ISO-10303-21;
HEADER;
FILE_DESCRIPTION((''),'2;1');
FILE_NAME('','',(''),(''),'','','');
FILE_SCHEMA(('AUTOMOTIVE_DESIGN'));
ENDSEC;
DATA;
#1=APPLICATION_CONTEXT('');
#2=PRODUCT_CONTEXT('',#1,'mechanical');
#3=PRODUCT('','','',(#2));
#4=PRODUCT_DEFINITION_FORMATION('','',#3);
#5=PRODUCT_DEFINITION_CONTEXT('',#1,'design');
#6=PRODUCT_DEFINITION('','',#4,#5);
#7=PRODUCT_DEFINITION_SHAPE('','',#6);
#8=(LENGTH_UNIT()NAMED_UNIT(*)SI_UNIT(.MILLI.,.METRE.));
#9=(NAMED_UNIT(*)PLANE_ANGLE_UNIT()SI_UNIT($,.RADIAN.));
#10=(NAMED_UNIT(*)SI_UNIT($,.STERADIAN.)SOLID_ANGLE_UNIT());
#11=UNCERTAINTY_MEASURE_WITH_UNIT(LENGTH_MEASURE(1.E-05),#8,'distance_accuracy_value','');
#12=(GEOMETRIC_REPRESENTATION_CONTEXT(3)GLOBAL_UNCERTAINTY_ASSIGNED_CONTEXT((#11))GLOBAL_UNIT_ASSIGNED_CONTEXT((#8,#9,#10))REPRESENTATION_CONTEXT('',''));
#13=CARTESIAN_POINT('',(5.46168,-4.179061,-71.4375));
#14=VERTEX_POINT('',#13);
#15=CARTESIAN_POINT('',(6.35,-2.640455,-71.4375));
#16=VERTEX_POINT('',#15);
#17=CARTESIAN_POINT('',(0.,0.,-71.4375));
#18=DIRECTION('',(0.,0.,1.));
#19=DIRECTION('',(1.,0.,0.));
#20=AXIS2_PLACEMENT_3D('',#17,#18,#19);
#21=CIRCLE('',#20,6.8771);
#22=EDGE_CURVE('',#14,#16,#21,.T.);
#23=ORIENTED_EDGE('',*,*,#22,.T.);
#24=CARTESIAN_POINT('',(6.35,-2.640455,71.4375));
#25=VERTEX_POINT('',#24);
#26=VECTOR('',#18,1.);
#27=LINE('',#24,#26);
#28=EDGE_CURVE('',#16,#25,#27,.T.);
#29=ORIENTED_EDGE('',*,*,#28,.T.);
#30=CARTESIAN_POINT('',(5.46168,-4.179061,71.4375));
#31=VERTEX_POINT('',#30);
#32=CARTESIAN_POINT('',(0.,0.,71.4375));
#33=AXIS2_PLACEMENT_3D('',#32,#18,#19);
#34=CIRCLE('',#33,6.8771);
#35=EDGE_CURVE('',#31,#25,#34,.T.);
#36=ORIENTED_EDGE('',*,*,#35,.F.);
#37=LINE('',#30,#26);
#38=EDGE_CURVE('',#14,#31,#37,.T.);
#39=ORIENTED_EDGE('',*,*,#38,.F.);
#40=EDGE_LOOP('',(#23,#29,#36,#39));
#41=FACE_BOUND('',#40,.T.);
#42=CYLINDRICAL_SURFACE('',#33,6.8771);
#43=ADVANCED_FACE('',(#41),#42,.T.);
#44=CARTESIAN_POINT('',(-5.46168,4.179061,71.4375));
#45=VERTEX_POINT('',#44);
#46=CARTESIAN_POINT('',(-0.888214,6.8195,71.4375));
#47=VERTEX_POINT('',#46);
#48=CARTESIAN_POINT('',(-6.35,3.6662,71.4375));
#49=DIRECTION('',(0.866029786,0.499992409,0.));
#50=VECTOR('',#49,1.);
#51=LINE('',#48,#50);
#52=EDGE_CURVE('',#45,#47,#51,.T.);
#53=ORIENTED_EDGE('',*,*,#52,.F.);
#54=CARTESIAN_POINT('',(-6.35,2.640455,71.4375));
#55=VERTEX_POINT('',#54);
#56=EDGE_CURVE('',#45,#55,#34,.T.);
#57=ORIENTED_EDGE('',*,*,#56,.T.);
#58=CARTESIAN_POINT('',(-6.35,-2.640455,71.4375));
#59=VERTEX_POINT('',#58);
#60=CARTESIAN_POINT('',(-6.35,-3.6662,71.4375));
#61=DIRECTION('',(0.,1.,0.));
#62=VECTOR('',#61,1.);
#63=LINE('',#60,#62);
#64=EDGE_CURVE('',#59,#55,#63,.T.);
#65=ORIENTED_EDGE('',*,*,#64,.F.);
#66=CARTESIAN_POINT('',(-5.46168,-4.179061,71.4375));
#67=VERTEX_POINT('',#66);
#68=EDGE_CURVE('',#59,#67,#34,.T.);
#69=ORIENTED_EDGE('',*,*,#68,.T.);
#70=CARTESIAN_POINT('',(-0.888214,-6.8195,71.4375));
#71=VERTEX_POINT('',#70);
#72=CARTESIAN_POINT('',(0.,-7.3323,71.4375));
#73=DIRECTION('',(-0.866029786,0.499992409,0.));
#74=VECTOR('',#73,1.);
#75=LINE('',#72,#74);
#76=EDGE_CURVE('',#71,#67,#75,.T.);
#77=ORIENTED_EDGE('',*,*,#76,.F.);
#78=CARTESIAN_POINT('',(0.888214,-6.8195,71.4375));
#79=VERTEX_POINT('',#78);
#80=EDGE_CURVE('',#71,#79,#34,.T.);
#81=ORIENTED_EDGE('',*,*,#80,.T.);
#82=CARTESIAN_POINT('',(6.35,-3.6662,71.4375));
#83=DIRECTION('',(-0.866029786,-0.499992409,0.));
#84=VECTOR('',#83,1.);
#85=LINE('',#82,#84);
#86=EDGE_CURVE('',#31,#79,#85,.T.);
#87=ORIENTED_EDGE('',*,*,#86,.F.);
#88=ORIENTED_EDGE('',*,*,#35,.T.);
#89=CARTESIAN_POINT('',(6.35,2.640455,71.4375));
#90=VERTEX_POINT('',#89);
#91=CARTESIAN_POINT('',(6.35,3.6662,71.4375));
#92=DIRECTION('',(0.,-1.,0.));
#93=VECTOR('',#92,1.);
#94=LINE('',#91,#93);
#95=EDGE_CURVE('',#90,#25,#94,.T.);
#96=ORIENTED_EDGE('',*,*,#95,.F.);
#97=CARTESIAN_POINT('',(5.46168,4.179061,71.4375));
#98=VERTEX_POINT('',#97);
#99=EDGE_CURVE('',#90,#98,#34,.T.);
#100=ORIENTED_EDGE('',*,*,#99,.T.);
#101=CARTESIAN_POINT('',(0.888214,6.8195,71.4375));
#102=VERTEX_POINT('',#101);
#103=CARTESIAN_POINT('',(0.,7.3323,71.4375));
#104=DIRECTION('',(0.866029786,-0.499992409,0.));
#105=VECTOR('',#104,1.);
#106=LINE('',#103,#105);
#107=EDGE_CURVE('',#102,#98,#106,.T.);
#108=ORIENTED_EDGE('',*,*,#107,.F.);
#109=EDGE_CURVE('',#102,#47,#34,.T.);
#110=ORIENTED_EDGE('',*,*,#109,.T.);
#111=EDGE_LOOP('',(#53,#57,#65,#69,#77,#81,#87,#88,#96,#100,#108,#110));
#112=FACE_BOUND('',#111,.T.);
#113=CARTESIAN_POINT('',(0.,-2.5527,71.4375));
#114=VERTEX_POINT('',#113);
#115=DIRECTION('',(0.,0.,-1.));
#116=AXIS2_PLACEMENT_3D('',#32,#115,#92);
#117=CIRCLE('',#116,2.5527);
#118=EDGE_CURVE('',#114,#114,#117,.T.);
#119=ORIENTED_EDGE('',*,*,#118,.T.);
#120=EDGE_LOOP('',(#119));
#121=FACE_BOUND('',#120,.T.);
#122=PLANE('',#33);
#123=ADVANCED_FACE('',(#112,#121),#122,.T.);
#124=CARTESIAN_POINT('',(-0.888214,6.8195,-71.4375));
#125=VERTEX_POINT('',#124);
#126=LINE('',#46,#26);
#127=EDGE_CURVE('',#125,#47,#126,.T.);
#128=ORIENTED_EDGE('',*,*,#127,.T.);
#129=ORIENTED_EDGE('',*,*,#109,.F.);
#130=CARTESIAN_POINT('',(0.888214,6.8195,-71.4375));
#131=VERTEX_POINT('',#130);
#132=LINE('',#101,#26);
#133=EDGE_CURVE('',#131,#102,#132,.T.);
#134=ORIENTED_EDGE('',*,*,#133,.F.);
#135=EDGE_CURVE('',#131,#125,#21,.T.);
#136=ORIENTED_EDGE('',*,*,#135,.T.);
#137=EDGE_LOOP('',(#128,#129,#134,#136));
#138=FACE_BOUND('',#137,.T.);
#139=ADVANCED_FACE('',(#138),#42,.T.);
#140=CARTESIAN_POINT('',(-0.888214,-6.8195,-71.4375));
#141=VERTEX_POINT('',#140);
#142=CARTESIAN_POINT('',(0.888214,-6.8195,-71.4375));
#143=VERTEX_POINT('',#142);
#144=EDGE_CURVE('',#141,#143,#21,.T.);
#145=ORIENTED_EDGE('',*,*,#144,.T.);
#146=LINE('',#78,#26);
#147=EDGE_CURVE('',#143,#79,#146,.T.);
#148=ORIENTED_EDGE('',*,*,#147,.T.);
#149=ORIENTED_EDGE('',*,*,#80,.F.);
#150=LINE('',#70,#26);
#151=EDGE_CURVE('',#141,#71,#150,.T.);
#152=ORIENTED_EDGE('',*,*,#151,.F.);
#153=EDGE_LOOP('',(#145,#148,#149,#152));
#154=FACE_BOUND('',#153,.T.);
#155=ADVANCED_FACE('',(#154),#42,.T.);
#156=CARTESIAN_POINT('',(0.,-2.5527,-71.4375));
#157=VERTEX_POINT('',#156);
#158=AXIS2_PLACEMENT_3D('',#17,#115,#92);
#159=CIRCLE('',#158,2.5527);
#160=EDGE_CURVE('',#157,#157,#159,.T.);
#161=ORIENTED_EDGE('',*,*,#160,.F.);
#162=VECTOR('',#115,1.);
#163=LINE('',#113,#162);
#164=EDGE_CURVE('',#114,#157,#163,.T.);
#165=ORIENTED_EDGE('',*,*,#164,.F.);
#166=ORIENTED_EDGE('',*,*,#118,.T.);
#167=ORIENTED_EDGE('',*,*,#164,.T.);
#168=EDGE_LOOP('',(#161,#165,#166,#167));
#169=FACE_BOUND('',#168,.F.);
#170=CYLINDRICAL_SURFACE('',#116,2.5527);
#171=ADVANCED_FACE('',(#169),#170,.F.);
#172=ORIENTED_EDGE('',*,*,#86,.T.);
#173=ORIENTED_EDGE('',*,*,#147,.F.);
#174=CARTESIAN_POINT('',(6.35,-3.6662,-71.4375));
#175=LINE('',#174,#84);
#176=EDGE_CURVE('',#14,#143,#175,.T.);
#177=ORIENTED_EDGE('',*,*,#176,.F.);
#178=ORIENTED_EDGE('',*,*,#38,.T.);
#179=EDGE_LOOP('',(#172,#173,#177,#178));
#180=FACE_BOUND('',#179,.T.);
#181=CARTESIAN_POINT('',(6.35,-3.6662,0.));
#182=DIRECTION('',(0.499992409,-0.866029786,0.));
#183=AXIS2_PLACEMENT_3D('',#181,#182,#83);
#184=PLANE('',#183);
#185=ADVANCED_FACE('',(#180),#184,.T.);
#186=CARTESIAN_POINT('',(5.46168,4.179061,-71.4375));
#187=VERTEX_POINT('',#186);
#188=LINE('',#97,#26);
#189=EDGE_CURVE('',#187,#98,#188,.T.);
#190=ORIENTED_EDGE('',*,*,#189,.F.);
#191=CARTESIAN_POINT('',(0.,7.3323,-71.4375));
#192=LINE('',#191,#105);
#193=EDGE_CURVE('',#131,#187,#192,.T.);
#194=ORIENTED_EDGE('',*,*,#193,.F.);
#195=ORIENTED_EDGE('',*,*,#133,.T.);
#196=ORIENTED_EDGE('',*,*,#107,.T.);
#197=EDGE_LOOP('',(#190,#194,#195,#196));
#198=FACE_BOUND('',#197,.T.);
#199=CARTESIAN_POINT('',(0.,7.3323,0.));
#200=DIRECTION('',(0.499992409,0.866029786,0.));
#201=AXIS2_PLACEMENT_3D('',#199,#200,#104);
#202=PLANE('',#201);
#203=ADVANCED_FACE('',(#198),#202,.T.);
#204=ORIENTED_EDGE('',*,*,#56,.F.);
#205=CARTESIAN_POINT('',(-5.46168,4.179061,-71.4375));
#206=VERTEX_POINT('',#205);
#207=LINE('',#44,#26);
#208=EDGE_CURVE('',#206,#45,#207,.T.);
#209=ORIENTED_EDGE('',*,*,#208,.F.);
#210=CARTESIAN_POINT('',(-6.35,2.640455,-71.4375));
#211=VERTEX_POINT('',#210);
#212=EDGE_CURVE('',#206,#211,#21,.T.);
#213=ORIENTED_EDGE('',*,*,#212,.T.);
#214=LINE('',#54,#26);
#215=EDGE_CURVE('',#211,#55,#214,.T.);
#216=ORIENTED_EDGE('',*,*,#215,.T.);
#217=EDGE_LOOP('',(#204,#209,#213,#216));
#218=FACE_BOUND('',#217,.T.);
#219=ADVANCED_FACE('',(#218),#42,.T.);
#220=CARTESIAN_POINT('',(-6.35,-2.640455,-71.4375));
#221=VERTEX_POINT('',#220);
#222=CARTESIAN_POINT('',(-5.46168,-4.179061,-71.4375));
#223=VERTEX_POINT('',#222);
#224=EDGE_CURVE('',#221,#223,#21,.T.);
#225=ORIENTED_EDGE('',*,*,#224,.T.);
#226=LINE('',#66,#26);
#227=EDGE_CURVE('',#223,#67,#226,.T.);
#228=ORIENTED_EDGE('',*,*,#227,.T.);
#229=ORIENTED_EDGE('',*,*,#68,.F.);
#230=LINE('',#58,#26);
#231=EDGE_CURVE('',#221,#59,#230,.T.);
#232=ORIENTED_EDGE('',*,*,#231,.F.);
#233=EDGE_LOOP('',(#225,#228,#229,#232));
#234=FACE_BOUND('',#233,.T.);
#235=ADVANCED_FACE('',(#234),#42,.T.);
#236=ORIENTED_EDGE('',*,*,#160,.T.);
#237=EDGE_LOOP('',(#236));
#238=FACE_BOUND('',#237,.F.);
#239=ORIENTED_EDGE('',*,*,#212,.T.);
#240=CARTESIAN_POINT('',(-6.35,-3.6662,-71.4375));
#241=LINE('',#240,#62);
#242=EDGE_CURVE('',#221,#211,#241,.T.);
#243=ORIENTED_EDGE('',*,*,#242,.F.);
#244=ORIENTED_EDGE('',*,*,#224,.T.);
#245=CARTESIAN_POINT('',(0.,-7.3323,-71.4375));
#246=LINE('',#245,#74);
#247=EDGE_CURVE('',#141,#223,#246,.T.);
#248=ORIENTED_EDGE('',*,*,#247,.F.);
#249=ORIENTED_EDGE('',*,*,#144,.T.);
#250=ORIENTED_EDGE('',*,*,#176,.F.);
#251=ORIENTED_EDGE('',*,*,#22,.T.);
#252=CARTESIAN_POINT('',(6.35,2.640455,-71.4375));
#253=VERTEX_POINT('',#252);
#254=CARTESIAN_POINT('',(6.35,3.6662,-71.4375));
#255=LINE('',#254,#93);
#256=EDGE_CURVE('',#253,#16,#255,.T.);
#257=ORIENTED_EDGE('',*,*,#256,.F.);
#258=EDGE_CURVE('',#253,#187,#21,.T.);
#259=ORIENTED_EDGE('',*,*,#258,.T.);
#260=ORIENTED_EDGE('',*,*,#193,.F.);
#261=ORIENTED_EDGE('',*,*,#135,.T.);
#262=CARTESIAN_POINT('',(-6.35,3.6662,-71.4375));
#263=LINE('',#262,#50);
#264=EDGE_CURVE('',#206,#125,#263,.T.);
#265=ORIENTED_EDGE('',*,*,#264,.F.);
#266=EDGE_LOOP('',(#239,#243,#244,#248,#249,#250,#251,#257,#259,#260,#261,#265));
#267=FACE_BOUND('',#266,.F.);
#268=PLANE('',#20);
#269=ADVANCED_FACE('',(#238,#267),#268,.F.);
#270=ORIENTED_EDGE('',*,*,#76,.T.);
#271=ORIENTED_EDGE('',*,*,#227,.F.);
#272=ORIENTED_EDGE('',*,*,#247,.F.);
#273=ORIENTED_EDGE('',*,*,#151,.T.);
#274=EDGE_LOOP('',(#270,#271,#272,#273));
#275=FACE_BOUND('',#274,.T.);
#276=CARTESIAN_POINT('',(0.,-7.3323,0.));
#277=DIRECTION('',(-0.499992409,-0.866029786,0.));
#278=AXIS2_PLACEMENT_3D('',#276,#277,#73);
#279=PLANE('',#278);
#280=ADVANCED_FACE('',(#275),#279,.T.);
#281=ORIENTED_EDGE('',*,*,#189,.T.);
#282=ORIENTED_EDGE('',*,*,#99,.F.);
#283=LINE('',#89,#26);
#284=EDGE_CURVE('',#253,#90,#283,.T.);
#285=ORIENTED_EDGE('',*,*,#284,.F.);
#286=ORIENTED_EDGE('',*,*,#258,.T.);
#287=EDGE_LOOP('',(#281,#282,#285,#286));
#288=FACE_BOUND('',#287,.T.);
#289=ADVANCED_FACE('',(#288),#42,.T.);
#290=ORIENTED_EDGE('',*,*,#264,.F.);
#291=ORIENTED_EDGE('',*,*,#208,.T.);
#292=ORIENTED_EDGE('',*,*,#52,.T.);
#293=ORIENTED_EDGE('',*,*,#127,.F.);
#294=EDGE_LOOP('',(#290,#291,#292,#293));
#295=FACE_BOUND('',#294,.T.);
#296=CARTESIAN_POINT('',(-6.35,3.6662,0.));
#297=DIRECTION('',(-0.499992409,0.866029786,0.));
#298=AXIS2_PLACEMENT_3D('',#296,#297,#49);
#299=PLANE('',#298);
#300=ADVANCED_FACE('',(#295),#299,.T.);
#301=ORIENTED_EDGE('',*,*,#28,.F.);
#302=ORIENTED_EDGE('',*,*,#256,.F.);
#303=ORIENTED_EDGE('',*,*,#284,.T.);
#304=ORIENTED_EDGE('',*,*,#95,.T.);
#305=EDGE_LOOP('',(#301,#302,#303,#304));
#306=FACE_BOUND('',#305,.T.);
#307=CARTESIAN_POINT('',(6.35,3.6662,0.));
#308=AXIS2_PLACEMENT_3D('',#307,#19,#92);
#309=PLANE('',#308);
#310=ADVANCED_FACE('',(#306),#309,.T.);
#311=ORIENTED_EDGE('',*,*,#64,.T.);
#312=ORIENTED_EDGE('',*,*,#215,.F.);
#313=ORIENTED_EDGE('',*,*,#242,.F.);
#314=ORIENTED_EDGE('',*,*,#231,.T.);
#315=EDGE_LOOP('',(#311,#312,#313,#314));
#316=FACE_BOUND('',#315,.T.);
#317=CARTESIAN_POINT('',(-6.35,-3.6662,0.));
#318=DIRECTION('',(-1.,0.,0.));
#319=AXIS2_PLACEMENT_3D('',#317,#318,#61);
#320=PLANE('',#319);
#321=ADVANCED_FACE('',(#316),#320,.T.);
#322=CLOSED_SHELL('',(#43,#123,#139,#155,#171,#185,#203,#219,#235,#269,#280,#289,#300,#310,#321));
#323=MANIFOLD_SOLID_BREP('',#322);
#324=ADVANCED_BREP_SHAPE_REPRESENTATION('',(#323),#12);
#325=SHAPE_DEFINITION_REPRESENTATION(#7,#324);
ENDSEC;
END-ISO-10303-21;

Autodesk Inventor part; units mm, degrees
ref_plane "YZ Plane" through (0, 0, 0) normal (1, 0, 0) x (0, 1, 0)
ref_plane "XZ Plane" through (0, 0, 0) normal (0, 1, 0) x (-1, 0, 0)
ref_plane "XY Plane" through (0, 0, 0) normal (0, 0, 1) x (1, 0, 0)
sketch "Sketch1" plane through (0, 0, 0) normal (0, 0, 1) x (1, 0, 0)
  line L0 (-6.35, -3.6662) -> (-6.35, 3.6662)
  line L1 (-6.35, 3.6662) -> (0, 7.3323)
  line L2 (0, 7.3323) -> (6.35, 3.6662)
  line L3 (6.35, 3.6662) -> (6.35, -3.6662)
  line L4 (6.35, -3.6662) -> (0, -7.3323)
  line L5 (0, -7.3323) -> (-6.35, -3.6662)
  point P0 (0, 0)
  point P1 (0, 0)
  dimension "Size" = 12.7
extrude "Extrusion1" add sketch "Sketch1" along normal mid plane 142.875
sketch "Sketch3" plane through (0, 0, 71.4375) normal (0, 0, 1) x (1, 0, 0)
  line L0 (-6.35, 3.6662) -> (0, 7.3323) construction
  line L1 (0, 7.3323) -> (6.35, 3.6662) construction
  line L2 (6.35, 3.6662) -> (6.35, -3.6662) construction
  line L3 (6.35, -3.6662) -> (0, -7.3323) construction
  line L4 (0, -7.3323) -> (-6.35, -3.6662) construction
  line L5 (-6.35, -3.6662) -> (-6.35, 3.6662) construction
  point P0 (0, 0)
hole "Hole1" at (0, 0, 71.4375) direction (0, 0, -1) diameter 5.1054 end through all
sketch "Sketch4" plane through (0, 0, 71.4375) normal (0, 0, 1) x (1, 0, 0)
  circle A0 centre (0, 0) radius 2.5527 construction
  line L0 (-6.35, 3.6662) -> (0, 7.3323) construction
  line L1 (0, 7.3323) -> (6.35, 3.6662) construction
  line L2 (6.35, 3.6662) -> (6.35, -3.6662) construction
  line L3 (6.35, -3.6662) -> (0, -7.3323) construction
  line L4 (0, -7.3323) -> (-6.35, -3.6662) construction
  line L5 (-6.35, -3.6662) -> (-6.35, 3.6662) construction
  circle A1 centre (0, 0) radius 6.8771
  circle A2 centre (0, 0) radius 8.89
  dimension "thunder" = 13.7541
  dimension "d16" = 17.78
extrude "Extrusion3" cut sketch "Sketch4" against normal through all
equation "\"bearing\" = 25.4"
properties part number "GP4-010" material "Aluminum 6061"
